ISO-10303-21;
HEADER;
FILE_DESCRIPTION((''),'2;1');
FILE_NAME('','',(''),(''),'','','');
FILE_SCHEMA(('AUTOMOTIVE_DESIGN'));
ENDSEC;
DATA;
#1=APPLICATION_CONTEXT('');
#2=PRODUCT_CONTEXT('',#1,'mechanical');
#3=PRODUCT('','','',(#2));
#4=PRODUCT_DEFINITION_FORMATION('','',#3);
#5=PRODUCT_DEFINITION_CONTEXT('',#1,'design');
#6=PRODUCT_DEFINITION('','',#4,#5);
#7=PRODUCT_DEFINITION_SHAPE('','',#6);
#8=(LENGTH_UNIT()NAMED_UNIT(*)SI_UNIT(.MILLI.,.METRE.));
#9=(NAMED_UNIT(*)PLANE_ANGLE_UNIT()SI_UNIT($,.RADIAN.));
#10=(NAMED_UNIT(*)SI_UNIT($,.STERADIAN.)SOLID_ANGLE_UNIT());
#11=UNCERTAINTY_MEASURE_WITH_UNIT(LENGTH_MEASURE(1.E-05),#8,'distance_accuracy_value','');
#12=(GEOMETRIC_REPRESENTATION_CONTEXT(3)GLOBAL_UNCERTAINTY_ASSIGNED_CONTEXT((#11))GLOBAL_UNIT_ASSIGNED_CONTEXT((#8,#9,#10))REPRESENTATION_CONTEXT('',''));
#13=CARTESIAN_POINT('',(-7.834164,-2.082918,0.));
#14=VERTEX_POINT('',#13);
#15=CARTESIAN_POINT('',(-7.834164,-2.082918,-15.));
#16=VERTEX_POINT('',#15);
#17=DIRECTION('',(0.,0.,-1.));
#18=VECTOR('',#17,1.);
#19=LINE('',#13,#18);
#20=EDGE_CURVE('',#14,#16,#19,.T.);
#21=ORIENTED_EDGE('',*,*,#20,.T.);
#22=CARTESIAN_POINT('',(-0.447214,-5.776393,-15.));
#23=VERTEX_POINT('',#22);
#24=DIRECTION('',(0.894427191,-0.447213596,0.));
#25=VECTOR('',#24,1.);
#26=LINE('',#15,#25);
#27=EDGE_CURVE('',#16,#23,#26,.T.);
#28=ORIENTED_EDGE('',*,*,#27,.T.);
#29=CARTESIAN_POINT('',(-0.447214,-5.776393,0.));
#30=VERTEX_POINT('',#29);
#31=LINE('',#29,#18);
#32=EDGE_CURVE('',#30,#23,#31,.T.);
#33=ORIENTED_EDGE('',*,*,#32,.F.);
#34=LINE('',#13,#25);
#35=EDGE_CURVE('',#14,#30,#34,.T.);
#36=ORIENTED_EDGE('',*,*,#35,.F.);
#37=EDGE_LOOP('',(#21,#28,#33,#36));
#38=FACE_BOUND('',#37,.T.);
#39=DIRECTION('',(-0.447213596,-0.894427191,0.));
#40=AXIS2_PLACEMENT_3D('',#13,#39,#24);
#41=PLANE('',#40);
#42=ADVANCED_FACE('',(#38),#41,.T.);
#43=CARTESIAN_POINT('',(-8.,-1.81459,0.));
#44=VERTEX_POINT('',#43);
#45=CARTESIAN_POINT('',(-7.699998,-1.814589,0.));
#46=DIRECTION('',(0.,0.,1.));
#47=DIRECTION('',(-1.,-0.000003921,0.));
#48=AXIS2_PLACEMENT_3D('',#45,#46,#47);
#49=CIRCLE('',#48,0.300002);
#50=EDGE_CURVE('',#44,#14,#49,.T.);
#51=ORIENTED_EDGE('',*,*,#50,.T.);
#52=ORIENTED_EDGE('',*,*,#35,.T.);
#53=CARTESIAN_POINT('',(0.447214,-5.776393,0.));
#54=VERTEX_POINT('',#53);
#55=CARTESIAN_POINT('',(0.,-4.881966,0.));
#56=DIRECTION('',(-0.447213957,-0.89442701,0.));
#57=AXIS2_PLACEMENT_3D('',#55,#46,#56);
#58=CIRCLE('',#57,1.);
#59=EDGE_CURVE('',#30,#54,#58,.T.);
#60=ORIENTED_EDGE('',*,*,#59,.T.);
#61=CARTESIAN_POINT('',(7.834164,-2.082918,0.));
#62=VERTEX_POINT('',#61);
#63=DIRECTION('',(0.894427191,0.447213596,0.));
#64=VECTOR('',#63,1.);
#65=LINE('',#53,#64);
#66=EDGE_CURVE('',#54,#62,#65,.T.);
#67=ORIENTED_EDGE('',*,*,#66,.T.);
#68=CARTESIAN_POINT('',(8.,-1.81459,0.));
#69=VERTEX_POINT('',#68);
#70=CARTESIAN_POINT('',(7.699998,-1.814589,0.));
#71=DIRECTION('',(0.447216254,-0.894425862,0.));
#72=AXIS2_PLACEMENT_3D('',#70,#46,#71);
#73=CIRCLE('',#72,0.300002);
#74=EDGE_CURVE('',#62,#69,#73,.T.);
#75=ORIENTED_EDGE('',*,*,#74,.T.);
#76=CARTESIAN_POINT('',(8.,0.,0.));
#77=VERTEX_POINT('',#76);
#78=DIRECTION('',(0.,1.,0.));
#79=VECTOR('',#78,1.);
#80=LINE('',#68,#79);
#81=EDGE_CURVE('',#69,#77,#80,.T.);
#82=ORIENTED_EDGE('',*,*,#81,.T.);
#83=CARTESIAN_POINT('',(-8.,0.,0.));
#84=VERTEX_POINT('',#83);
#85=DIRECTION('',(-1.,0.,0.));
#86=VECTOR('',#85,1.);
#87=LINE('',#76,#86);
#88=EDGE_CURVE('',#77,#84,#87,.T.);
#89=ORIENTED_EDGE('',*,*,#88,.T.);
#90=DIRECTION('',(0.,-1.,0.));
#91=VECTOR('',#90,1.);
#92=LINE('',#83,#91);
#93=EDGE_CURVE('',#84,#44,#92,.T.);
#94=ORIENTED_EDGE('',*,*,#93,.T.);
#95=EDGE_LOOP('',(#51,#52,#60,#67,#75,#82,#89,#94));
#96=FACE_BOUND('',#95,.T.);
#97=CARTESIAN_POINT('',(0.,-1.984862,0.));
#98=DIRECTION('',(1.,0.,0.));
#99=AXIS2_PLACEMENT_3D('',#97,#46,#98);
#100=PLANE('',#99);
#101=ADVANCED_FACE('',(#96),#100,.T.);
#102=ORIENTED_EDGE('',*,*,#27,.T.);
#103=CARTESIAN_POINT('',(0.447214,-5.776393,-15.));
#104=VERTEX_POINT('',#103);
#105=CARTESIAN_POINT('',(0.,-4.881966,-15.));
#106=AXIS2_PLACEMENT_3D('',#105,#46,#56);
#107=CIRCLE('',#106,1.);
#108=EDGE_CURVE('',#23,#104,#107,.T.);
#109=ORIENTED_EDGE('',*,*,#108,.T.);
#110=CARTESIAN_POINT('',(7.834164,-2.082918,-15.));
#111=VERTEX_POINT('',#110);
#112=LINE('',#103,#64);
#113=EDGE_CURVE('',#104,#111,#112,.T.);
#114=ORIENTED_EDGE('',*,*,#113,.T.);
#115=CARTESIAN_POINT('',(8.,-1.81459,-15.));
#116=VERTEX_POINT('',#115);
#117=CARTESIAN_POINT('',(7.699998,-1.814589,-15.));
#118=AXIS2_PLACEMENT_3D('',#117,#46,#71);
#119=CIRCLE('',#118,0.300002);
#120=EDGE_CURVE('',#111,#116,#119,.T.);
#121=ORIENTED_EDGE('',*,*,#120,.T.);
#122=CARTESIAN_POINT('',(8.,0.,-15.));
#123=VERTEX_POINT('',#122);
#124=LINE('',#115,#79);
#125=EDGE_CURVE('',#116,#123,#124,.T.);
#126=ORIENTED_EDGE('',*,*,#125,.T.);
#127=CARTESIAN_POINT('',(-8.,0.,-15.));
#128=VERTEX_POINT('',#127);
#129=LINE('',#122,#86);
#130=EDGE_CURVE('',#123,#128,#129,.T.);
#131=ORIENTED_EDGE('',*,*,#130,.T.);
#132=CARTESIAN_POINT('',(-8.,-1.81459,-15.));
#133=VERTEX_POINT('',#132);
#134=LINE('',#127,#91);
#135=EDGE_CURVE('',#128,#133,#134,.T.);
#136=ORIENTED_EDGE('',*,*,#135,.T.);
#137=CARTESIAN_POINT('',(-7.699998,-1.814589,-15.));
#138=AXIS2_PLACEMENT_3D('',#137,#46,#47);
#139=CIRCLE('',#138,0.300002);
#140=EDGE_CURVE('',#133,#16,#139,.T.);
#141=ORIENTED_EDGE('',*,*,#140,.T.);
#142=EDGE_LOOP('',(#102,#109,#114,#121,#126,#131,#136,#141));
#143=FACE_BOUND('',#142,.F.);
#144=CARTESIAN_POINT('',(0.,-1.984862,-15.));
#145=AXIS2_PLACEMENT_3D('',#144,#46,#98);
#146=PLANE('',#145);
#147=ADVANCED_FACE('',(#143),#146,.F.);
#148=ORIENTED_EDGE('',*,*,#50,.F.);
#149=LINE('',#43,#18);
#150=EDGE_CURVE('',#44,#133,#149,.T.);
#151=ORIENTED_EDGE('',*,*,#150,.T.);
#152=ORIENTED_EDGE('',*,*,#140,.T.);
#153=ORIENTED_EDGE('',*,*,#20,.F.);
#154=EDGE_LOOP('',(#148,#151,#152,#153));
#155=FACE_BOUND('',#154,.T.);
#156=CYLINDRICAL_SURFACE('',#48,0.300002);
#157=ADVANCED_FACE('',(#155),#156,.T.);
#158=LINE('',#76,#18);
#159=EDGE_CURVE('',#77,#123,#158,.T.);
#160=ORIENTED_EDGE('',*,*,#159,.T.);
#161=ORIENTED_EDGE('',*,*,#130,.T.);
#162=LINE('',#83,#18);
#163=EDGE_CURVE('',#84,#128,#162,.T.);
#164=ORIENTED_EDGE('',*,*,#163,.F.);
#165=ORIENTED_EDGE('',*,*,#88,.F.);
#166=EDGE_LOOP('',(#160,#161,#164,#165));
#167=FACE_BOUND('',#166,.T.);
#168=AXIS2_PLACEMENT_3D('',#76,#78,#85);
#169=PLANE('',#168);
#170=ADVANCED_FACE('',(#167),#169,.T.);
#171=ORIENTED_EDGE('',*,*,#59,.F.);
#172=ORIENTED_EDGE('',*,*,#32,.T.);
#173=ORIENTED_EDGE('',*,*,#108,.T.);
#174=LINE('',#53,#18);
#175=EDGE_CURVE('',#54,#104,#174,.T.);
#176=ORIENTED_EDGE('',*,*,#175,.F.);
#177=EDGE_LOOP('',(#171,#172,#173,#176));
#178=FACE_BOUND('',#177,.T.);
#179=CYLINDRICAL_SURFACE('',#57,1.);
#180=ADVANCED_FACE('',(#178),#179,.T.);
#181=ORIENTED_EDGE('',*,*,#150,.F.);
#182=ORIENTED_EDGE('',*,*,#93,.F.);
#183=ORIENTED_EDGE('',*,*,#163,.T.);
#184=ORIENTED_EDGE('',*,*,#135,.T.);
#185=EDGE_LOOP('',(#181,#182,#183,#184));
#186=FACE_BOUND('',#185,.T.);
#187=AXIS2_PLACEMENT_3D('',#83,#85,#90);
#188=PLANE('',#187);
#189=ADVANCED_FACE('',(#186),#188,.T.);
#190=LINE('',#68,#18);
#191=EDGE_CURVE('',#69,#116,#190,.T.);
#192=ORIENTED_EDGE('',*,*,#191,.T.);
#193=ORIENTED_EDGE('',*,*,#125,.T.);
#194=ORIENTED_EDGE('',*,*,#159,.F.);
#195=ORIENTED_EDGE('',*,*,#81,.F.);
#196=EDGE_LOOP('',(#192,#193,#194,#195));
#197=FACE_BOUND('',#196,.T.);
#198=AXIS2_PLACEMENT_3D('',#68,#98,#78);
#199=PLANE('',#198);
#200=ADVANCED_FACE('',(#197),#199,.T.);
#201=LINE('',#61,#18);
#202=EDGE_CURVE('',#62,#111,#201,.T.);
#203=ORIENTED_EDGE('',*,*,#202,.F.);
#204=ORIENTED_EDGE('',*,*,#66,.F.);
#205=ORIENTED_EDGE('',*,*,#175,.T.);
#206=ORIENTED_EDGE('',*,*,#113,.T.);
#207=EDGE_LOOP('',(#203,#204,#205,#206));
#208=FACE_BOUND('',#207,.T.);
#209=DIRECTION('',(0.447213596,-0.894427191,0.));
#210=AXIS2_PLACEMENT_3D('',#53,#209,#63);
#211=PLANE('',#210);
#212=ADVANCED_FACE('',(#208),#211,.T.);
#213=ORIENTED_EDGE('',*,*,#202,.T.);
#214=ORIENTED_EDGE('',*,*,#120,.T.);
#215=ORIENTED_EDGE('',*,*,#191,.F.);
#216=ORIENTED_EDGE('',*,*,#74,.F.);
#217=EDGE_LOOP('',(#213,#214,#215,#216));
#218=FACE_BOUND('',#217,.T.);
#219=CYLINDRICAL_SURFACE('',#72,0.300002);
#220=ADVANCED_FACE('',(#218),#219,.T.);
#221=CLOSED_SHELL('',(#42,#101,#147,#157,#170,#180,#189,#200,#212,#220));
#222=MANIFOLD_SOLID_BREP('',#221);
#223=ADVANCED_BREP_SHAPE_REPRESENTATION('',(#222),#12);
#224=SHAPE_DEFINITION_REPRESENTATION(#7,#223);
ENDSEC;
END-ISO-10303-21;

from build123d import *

# Parameters (mm, degrees)
F1_DEPTH = 15


with BuildPart() as f1:
    # F0 (on Top) → F1 (new body)
    with BuildSketch(Plane.XY):
        with BuildLine():
            Line((8, 0), (-8, 0))
            Line((-8, 0), (-8, -1.81459))
            ThreePointArc((-8, -1.81459), (-7.955195, -1.972309), (-7.834164, -2.082918))
            Line((-7.834164, -2.082918), (-0.447214, -5.776393))
            ThreePointArc((-0.447214, -5.776393), (0, -5.881966), (0.447214, -5.776393))
            Line((0.447214, -5.776393), (7.834164, -2.082918))
            ThreePointArc((7.834164, -2.082918), (7.955195, -1.972309), (8, -1.81459))
            Line((8, -1.81459), (8, 0))
        make_face()
    extrude(amount=-F1_DEPTH)


solid = f1.part
